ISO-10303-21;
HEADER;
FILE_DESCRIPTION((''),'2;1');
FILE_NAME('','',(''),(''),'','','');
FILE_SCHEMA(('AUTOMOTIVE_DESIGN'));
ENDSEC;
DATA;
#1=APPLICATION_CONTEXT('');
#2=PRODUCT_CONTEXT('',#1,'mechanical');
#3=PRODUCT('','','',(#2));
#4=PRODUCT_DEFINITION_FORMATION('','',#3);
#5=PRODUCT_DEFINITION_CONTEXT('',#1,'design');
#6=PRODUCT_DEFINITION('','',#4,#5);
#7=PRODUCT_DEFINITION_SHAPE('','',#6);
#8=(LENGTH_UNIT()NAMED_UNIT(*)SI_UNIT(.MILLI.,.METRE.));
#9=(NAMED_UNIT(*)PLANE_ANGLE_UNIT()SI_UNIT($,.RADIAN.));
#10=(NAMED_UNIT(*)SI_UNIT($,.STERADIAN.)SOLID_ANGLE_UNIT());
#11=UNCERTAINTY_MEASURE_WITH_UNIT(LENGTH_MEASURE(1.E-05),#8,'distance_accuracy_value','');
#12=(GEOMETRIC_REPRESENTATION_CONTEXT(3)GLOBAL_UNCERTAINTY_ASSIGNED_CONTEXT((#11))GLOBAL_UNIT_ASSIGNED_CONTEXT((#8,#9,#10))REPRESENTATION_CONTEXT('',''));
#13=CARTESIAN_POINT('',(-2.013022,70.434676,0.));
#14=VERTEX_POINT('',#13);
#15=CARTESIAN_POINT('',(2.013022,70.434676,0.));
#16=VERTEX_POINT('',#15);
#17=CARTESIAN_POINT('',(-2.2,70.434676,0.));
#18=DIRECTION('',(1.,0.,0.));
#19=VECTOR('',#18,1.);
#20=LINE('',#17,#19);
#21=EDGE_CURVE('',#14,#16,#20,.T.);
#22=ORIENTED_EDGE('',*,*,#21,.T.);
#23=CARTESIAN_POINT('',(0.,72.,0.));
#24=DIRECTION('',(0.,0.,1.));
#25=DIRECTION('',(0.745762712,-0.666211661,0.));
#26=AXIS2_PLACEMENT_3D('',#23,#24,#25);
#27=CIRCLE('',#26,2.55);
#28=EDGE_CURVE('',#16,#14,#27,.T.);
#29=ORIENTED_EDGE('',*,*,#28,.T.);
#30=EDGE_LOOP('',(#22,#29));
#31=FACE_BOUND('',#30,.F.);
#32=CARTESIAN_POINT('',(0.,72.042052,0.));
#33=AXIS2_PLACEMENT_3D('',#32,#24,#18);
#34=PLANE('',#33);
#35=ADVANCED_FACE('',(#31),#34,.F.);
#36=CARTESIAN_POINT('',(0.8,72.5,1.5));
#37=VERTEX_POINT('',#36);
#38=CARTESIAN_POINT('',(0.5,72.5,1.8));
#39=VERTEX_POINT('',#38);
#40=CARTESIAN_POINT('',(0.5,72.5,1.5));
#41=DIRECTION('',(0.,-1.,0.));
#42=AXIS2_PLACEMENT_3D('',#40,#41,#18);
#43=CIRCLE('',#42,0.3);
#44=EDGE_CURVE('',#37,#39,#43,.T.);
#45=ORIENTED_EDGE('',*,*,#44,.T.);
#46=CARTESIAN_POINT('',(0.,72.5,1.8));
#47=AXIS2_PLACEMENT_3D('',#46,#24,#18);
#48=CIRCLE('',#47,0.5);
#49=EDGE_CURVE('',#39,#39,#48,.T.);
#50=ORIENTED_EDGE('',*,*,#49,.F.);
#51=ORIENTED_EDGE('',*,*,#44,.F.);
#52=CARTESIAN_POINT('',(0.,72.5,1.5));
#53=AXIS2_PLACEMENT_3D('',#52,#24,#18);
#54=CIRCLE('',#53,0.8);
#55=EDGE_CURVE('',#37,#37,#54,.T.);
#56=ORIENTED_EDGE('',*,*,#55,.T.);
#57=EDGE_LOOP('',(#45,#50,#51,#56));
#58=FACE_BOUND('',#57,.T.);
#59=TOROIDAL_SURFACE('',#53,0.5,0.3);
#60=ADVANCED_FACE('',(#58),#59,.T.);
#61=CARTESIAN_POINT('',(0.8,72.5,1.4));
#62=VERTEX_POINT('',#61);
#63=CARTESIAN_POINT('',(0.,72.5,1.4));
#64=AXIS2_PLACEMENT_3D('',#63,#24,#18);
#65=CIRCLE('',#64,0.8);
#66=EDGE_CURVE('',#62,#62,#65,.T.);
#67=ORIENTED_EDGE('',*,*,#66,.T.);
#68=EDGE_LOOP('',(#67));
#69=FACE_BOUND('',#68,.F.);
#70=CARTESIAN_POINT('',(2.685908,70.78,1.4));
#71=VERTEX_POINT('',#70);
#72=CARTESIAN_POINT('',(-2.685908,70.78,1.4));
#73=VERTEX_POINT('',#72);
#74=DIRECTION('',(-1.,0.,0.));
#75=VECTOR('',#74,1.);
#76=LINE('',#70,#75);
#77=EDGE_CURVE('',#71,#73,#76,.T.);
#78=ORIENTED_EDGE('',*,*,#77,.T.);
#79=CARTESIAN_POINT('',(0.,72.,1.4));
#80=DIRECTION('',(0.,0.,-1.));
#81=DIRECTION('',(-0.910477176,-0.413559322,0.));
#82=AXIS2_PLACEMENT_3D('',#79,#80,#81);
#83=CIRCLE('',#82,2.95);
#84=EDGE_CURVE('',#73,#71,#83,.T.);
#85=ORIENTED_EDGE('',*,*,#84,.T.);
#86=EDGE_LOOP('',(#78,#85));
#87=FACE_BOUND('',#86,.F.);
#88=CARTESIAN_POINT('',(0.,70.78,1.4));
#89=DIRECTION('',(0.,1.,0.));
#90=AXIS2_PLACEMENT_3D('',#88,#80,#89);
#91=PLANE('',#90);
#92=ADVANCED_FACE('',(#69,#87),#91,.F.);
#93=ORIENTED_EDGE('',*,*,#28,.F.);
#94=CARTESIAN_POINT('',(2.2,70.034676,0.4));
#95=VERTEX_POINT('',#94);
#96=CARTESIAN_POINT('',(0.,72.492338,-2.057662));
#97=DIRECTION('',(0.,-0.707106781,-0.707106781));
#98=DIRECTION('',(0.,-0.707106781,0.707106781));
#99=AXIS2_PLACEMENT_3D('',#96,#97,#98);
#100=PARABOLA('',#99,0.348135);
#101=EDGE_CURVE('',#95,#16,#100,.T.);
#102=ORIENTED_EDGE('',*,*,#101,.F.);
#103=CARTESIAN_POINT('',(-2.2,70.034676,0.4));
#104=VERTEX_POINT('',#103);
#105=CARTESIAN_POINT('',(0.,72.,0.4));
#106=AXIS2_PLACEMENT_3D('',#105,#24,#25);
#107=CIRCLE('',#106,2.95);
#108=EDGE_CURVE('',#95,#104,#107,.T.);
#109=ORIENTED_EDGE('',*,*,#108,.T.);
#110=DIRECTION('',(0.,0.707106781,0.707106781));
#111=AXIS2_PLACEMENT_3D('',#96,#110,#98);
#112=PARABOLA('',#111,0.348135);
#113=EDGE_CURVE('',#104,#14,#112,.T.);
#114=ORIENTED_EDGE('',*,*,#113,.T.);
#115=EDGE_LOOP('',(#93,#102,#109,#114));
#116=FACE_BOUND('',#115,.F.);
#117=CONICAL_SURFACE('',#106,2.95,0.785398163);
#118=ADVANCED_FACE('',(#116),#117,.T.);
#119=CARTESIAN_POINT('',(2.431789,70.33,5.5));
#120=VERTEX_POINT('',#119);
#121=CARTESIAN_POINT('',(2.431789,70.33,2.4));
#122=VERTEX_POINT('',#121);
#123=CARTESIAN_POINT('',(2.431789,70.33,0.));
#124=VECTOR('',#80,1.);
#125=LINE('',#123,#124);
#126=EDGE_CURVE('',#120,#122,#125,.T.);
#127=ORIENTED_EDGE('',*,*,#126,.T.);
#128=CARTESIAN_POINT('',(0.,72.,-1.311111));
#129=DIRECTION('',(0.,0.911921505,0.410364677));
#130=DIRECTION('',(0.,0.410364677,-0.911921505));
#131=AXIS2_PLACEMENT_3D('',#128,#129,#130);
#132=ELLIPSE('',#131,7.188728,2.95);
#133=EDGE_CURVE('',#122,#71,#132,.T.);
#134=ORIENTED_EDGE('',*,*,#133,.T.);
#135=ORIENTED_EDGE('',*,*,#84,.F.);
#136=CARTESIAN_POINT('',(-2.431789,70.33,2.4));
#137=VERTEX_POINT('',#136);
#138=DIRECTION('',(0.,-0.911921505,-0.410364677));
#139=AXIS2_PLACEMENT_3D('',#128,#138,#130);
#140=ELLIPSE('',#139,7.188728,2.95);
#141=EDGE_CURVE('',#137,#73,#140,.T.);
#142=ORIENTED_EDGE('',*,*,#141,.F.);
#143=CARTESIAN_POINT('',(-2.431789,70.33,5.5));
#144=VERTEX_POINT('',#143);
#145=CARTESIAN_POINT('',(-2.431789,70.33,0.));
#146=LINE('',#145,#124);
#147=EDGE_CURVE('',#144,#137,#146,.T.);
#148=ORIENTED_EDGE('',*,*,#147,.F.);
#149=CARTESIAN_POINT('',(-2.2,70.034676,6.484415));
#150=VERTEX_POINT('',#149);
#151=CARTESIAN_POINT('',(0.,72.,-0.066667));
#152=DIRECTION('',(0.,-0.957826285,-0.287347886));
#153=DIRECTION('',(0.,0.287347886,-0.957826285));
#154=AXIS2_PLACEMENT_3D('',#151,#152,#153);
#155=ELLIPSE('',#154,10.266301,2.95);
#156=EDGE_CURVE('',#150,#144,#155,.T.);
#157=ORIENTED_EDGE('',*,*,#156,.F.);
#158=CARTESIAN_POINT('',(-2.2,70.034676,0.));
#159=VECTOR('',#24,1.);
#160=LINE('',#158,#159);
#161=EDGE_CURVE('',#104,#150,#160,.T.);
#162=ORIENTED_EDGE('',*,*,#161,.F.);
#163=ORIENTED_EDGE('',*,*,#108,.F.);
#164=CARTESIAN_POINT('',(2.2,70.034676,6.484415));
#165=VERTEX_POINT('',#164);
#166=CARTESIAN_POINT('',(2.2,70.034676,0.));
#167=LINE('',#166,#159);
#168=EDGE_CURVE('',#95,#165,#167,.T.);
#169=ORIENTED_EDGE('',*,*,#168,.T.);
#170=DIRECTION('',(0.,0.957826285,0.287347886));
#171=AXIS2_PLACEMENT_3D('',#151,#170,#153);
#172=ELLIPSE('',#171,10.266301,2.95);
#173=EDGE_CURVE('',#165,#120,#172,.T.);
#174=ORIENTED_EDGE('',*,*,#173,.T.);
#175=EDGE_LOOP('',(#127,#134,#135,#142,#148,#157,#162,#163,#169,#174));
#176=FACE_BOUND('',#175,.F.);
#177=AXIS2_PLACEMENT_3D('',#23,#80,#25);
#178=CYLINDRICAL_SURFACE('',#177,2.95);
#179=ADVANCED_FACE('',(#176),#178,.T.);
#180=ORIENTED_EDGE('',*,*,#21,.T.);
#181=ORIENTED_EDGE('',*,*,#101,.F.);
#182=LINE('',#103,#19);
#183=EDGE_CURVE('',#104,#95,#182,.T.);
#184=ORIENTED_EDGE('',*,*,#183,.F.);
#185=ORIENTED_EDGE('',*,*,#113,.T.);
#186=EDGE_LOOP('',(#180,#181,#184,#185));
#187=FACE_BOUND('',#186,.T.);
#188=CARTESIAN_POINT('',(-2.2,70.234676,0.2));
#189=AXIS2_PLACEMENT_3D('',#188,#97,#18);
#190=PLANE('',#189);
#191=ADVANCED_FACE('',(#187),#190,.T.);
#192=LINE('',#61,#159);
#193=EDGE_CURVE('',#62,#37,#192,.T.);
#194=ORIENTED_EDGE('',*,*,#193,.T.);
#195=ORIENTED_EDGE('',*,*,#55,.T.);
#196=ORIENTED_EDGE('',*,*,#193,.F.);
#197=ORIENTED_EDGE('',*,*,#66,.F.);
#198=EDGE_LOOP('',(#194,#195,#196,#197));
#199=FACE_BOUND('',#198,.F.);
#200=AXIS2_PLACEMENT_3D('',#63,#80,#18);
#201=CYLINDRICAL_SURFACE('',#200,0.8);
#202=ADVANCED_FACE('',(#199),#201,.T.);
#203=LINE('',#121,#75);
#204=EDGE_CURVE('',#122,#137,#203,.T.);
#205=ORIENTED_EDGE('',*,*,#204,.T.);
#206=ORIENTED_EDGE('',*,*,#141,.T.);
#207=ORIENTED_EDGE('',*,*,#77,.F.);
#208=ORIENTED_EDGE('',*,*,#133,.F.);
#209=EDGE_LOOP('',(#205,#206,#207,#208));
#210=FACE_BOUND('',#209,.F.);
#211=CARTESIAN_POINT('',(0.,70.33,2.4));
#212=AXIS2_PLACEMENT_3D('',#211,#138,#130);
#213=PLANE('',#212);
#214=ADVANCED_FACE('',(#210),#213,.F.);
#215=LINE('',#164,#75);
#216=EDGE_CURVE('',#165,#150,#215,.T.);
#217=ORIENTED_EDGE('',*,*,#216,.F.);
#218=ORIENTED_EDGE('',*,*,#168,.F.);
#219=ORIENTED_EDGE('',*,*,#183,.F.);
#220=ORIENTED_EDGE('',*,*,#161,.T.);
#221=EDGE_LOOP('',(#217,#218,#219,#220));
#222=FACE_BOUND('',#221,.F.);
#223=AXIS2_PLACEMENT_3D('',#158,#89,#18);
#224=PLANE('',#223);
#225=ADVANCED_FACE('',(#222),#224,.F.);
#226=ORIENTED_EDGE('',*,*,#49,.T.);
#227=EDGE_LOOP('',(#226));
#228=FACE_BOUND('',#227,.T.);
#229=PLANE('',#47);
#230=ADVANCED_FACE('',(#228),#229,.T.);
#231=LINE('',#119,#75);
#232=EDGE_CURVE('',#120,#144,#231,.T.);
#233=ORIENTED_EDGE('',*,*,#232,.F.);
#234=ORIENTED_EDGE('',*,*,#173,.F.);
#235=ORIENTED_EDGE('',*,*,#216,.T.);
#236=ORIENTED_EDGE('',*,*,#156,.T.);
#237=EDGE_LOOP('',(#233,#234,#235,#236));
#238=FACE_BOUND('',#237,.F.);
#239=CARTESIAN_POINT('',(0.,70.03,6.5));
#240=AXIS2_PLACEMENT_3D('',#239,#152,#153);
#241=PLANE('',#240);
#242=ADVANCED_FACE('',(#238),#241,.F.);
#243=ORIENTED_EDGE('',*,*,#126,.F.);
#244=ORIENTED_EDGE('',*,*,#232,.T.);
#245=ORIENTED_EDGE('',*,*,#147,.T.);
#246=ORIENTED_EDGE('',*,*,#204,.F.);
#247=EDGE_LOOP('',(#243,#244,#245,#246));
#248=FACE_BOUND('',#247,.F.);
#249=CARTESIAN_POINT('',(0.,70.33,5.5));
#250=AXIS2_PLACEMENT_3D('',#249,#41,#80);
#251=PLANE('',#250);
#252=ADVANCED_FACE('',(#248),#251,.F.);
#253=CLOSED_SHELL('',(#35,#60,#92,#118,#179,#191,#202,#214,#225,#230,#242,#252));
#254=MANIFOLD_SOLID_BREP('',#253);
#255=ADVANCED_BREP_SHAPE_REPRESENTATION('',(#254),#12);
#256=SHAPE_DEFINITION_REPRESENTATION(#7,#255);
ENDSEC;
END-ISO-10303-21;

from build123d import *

# Parameters (mm, degrees)
PAD008_DEPTH         = 6.5
POCKET007_DEPTH      = 2.951
POCKET007_DEPTH_BACK = 2.951
SKETCH023_R          = 0.8
PAD009_DEPTH         = 0.4
FILLET001_R          = 0.3
CHAMFER007_SIZE      = 0.4


with BuildPart() as part:
    # Sketch022 → Pad008 (new body)
    with BuildSketch(Plane.XY):
        with BuildLine():
            ThreePointArc((2.2, -1.9653244007), (0, 2.95), (-2.2, -1.9653244007))
            Line((-2.2, -1.9653244007), (2.2, -1.9653244007))
        make_face()
    extrude(amount=PAD008_DEPTH)

    # Sketch024 → Pocket007 (cut, two sides)
    with BuildSketch(Plane.YZ) as pocket007_sk:
        Polygon((-1.97, 6.5), (-1.67, 5.5), (-1.67, 2.4), (-1.22, 1.4), (4, 1.4), (4, 6.5), align=None)
    extrude(amount=-POCKET007_DEPTH, mode=Mode.SUBTRACT)
    extrude(pocket007_sk.sketch, amount=POCKET007_DEPTH_BACK, mode=Mode.SUBTRACT)

    # Sketch023 (on Face7 of Pocket007) → Pad009 (join)
    with BuildSketch(Plane.XY.offset(1.4)):
        with Locations((0, 0.5)):
            Circle(SKETCH023_R)
    extrude(amount=PAD009_DEPTH)

    # Fillet001
    fillet001_edges = [part.edges().sort_by_distance(p)[0] for p in [
        (-0.8, 0.5, 1.8),
    ]]
    fillet(fillet001_edges, radius=FILLET001_R)

    # Chamfer007
    chamfer007_edges = [part.edges().sort_by_distance(p)[0] for p in [
        (0, 2.95, 0),
        (0, -1.965324, 0),
    ]]
    chamfer(chamfer007_edges, length=CHAMFER007_SIZE)


with BuildPart() as part_1:
    # Body092 placement: moved
    add(part.part.moved(Location((0, 72, 0))))


solid = part_1.part
